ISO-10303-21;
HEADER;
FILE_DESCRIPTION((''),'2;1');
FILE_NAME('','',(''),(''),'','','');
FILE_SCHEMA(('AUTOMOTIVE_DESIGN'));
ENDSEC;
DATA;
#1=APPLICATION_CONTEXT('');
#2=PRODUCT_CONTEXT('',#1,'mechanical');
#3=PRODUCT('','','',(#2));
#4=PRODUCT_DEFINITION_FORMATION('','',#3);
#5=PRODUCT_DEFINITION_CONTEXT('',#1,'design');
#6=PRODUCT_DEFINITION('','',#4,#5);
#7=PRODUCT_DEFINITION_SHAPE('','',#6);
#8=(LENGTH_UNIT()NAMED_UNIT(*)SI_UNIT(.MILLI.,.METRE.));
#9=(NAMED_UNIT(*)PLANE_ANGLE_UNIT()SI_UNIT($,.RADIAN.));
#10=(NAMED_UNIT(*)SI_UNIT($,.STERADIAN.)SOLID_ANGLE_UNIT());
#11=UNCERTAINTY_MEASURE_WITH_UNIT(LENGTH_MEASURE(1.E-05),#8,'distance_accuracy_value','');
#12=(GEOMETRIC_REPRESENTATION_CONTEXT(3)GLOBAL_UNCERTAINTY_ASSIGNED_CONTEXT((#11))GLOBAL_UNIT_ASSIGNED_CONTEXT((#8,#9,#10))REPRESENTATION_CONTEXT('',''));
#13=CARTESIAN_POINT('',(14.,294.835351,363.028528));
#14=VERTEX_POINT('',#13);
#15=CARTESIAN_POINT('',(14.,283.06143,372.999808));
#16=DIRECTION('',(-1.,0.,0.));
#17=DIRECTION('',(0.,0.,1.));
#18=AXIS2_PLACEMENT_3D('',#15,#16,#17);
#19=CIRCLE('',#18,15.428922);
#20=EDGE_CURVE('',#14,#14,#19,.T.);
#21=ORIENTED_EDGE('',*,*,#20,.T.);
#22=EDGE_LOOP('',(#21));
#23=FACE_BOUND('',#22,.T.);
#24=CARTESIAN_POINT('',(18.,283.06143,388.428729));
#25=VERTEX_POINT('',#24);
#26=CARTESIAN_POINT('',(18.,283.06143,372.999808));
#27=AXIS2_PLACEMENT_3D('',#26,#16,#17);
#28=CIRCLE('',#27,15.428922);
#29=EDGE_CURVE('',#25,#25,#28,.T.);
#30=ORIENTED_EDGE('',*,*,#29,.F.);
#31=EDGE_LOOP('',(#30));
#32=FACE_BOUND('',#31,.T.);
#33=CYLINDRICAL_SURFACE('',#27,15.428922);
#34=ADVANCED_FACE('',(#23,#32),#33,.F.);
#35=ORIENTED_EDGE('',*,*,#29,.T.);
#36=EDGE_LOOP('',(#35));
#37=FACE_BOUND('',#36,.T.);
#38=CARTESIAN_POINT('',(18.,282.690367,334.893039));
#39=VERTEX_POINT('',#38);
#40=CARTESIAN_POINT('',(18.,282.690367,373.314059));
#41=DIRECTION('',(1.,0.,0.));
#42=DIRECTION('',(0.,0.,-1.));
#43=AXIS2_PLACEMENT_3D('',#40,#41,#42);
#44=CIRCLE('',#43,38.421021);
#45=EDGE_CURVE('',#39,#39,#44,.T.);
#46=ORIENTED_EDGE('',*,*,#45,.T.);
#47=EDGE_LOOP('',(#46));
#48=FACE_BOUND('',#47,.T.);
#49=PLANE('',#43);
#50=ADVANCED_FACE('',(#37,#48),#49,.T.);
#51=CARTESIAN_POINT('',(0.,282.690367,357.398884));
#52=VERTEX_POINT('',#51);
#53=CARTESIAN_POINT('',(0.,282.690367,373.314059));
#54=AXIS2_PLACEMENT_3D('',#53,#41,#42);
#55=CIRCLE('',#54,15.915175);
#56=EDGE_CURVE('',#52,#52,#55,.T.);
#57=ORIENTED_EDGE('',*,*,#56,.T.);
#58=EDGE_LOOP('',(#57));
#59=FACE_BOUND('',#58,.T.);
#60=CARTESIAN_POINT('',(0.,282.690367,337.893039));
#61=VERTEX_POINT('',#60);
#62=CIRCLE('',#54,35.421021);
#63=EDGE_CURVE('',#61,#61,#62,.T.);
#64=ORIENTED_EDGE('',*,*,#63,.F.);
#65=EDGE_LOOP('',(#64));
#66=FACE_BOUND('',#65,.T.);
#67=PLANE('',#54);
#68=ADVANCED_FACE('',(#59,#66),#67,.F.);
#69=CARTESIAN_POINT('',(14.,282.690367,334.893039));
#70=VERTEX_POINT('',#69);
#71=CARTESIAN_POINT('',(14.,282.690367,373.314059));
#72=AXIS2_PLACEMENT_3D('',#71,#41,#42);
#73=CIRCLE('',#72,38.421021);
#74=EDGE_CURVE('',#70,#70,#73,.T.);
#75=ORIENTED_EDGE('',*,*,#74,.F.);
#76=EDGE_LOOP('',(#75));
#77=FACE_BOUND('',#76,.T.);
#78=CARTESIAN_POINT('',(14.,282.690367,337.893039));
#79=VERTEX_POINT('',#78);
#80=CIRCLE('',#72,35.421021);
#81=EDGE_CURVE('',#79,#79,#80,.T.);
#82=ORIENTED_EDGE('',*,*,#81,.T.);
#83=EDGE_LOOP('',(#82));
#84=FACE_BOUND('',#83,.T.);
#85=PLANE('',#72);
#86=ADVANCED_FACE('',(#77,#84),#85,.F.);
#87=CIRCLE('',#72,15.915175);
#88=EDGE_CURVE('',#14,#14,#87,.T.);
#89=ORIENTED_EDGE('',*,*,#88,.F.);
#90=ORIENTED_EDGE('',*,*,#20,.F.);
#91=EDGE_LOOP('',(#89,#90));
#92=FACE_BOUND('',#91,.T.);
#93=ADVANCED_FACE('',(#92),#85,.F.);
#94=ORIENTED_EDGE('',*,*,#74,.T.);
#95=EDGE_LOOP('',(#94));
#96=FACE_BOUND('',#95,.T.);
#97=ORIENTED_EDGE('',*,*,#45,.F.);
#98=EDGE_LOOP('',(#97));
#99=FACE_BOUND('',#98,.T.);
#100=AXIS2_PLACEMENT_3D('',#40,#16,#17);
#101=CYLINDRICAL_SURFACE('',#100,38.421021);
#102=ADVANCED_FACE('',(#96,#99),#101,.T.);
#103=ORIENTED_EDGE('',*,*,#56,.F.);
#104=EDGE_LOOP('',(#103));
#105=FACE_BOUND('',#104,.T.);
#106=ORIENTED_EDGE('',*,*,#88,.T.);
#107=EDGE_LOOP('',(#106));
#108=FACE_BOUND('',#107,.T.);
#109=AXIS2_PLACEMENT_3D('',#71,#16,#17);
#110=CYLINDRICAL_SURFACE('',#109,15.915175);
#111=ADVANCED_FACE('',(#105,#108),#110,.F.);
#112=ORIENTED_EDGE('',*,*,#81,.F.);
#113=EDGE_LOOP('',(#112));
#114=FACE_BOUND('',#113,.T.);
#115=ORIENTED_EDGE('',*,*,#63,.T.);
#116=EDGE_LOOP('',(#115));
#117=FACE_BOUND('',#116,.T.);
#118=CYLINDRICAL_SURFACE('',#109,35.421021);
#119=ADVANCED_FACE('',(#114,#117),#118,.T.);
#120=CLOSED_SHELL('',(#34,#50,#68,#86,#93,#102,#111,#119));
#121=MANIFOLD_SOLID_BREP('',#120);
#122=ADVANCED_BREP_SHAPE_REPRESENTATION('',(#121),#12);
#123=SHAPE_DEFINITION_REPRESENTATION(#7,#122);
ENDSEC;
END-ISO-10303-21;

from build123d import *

# Parameters (mm, degrees)
SKETCH2_R           = 35.421020706
SKETCH2_R_2         = 15.915175003
BOSS_EXTRUDE1_DEPTH = 14
SKETCH3_R           = 38.421020706
BOSS_EXTRUDE2_DEPTH = 4
SKETCH4_R           = 15.428921843
CUT_EXTRUDE1_DEPTH  = 4


with BuildPart() as part:
    # Sketch2 → Boss-Extrude1 (new body)
    with BuildSketch(Plane(origin=(0, 0, 0), x_dir=(0, 0, -1), z_dir=(1, 0, 0))):
        with Locations((-373.314059341, 282.690366741)):
            Circle(SKETCH2_R)
        with Locations((-373.314059341, 282.690366741)):
            Circle(SKETCH2_R_2, mode=Mode.SUBTRACT)
    extrude(amount=BOSS_EXTRUDE1_DEPTH)

    # Sketch3 → Boss-Extrude2 (add)
    with BuildSketch(Plane(origin=(14, 0, 0), x_dir=(0, 0, -1), z_dir=(1, 0, 0))):
        with Locations((-373.314059341, 282.690366741)):
            Circle(SKETCH3_R)
    extrude(amount=BOSS_EXTRUDE2_DEPTH)

    # Sketch4 → Cut-Extrude1 (cut)
    with BuildSketch(Plane.ZY.offset(-14)):
        with Locations((372.999807552, 283.061430009)):
            Circle(SKETCH4_R)
    extrude(amount=-CUT_EXTRUDE1_DEPTH, mode=Mode.SUBTRACT)


solid = part.part
